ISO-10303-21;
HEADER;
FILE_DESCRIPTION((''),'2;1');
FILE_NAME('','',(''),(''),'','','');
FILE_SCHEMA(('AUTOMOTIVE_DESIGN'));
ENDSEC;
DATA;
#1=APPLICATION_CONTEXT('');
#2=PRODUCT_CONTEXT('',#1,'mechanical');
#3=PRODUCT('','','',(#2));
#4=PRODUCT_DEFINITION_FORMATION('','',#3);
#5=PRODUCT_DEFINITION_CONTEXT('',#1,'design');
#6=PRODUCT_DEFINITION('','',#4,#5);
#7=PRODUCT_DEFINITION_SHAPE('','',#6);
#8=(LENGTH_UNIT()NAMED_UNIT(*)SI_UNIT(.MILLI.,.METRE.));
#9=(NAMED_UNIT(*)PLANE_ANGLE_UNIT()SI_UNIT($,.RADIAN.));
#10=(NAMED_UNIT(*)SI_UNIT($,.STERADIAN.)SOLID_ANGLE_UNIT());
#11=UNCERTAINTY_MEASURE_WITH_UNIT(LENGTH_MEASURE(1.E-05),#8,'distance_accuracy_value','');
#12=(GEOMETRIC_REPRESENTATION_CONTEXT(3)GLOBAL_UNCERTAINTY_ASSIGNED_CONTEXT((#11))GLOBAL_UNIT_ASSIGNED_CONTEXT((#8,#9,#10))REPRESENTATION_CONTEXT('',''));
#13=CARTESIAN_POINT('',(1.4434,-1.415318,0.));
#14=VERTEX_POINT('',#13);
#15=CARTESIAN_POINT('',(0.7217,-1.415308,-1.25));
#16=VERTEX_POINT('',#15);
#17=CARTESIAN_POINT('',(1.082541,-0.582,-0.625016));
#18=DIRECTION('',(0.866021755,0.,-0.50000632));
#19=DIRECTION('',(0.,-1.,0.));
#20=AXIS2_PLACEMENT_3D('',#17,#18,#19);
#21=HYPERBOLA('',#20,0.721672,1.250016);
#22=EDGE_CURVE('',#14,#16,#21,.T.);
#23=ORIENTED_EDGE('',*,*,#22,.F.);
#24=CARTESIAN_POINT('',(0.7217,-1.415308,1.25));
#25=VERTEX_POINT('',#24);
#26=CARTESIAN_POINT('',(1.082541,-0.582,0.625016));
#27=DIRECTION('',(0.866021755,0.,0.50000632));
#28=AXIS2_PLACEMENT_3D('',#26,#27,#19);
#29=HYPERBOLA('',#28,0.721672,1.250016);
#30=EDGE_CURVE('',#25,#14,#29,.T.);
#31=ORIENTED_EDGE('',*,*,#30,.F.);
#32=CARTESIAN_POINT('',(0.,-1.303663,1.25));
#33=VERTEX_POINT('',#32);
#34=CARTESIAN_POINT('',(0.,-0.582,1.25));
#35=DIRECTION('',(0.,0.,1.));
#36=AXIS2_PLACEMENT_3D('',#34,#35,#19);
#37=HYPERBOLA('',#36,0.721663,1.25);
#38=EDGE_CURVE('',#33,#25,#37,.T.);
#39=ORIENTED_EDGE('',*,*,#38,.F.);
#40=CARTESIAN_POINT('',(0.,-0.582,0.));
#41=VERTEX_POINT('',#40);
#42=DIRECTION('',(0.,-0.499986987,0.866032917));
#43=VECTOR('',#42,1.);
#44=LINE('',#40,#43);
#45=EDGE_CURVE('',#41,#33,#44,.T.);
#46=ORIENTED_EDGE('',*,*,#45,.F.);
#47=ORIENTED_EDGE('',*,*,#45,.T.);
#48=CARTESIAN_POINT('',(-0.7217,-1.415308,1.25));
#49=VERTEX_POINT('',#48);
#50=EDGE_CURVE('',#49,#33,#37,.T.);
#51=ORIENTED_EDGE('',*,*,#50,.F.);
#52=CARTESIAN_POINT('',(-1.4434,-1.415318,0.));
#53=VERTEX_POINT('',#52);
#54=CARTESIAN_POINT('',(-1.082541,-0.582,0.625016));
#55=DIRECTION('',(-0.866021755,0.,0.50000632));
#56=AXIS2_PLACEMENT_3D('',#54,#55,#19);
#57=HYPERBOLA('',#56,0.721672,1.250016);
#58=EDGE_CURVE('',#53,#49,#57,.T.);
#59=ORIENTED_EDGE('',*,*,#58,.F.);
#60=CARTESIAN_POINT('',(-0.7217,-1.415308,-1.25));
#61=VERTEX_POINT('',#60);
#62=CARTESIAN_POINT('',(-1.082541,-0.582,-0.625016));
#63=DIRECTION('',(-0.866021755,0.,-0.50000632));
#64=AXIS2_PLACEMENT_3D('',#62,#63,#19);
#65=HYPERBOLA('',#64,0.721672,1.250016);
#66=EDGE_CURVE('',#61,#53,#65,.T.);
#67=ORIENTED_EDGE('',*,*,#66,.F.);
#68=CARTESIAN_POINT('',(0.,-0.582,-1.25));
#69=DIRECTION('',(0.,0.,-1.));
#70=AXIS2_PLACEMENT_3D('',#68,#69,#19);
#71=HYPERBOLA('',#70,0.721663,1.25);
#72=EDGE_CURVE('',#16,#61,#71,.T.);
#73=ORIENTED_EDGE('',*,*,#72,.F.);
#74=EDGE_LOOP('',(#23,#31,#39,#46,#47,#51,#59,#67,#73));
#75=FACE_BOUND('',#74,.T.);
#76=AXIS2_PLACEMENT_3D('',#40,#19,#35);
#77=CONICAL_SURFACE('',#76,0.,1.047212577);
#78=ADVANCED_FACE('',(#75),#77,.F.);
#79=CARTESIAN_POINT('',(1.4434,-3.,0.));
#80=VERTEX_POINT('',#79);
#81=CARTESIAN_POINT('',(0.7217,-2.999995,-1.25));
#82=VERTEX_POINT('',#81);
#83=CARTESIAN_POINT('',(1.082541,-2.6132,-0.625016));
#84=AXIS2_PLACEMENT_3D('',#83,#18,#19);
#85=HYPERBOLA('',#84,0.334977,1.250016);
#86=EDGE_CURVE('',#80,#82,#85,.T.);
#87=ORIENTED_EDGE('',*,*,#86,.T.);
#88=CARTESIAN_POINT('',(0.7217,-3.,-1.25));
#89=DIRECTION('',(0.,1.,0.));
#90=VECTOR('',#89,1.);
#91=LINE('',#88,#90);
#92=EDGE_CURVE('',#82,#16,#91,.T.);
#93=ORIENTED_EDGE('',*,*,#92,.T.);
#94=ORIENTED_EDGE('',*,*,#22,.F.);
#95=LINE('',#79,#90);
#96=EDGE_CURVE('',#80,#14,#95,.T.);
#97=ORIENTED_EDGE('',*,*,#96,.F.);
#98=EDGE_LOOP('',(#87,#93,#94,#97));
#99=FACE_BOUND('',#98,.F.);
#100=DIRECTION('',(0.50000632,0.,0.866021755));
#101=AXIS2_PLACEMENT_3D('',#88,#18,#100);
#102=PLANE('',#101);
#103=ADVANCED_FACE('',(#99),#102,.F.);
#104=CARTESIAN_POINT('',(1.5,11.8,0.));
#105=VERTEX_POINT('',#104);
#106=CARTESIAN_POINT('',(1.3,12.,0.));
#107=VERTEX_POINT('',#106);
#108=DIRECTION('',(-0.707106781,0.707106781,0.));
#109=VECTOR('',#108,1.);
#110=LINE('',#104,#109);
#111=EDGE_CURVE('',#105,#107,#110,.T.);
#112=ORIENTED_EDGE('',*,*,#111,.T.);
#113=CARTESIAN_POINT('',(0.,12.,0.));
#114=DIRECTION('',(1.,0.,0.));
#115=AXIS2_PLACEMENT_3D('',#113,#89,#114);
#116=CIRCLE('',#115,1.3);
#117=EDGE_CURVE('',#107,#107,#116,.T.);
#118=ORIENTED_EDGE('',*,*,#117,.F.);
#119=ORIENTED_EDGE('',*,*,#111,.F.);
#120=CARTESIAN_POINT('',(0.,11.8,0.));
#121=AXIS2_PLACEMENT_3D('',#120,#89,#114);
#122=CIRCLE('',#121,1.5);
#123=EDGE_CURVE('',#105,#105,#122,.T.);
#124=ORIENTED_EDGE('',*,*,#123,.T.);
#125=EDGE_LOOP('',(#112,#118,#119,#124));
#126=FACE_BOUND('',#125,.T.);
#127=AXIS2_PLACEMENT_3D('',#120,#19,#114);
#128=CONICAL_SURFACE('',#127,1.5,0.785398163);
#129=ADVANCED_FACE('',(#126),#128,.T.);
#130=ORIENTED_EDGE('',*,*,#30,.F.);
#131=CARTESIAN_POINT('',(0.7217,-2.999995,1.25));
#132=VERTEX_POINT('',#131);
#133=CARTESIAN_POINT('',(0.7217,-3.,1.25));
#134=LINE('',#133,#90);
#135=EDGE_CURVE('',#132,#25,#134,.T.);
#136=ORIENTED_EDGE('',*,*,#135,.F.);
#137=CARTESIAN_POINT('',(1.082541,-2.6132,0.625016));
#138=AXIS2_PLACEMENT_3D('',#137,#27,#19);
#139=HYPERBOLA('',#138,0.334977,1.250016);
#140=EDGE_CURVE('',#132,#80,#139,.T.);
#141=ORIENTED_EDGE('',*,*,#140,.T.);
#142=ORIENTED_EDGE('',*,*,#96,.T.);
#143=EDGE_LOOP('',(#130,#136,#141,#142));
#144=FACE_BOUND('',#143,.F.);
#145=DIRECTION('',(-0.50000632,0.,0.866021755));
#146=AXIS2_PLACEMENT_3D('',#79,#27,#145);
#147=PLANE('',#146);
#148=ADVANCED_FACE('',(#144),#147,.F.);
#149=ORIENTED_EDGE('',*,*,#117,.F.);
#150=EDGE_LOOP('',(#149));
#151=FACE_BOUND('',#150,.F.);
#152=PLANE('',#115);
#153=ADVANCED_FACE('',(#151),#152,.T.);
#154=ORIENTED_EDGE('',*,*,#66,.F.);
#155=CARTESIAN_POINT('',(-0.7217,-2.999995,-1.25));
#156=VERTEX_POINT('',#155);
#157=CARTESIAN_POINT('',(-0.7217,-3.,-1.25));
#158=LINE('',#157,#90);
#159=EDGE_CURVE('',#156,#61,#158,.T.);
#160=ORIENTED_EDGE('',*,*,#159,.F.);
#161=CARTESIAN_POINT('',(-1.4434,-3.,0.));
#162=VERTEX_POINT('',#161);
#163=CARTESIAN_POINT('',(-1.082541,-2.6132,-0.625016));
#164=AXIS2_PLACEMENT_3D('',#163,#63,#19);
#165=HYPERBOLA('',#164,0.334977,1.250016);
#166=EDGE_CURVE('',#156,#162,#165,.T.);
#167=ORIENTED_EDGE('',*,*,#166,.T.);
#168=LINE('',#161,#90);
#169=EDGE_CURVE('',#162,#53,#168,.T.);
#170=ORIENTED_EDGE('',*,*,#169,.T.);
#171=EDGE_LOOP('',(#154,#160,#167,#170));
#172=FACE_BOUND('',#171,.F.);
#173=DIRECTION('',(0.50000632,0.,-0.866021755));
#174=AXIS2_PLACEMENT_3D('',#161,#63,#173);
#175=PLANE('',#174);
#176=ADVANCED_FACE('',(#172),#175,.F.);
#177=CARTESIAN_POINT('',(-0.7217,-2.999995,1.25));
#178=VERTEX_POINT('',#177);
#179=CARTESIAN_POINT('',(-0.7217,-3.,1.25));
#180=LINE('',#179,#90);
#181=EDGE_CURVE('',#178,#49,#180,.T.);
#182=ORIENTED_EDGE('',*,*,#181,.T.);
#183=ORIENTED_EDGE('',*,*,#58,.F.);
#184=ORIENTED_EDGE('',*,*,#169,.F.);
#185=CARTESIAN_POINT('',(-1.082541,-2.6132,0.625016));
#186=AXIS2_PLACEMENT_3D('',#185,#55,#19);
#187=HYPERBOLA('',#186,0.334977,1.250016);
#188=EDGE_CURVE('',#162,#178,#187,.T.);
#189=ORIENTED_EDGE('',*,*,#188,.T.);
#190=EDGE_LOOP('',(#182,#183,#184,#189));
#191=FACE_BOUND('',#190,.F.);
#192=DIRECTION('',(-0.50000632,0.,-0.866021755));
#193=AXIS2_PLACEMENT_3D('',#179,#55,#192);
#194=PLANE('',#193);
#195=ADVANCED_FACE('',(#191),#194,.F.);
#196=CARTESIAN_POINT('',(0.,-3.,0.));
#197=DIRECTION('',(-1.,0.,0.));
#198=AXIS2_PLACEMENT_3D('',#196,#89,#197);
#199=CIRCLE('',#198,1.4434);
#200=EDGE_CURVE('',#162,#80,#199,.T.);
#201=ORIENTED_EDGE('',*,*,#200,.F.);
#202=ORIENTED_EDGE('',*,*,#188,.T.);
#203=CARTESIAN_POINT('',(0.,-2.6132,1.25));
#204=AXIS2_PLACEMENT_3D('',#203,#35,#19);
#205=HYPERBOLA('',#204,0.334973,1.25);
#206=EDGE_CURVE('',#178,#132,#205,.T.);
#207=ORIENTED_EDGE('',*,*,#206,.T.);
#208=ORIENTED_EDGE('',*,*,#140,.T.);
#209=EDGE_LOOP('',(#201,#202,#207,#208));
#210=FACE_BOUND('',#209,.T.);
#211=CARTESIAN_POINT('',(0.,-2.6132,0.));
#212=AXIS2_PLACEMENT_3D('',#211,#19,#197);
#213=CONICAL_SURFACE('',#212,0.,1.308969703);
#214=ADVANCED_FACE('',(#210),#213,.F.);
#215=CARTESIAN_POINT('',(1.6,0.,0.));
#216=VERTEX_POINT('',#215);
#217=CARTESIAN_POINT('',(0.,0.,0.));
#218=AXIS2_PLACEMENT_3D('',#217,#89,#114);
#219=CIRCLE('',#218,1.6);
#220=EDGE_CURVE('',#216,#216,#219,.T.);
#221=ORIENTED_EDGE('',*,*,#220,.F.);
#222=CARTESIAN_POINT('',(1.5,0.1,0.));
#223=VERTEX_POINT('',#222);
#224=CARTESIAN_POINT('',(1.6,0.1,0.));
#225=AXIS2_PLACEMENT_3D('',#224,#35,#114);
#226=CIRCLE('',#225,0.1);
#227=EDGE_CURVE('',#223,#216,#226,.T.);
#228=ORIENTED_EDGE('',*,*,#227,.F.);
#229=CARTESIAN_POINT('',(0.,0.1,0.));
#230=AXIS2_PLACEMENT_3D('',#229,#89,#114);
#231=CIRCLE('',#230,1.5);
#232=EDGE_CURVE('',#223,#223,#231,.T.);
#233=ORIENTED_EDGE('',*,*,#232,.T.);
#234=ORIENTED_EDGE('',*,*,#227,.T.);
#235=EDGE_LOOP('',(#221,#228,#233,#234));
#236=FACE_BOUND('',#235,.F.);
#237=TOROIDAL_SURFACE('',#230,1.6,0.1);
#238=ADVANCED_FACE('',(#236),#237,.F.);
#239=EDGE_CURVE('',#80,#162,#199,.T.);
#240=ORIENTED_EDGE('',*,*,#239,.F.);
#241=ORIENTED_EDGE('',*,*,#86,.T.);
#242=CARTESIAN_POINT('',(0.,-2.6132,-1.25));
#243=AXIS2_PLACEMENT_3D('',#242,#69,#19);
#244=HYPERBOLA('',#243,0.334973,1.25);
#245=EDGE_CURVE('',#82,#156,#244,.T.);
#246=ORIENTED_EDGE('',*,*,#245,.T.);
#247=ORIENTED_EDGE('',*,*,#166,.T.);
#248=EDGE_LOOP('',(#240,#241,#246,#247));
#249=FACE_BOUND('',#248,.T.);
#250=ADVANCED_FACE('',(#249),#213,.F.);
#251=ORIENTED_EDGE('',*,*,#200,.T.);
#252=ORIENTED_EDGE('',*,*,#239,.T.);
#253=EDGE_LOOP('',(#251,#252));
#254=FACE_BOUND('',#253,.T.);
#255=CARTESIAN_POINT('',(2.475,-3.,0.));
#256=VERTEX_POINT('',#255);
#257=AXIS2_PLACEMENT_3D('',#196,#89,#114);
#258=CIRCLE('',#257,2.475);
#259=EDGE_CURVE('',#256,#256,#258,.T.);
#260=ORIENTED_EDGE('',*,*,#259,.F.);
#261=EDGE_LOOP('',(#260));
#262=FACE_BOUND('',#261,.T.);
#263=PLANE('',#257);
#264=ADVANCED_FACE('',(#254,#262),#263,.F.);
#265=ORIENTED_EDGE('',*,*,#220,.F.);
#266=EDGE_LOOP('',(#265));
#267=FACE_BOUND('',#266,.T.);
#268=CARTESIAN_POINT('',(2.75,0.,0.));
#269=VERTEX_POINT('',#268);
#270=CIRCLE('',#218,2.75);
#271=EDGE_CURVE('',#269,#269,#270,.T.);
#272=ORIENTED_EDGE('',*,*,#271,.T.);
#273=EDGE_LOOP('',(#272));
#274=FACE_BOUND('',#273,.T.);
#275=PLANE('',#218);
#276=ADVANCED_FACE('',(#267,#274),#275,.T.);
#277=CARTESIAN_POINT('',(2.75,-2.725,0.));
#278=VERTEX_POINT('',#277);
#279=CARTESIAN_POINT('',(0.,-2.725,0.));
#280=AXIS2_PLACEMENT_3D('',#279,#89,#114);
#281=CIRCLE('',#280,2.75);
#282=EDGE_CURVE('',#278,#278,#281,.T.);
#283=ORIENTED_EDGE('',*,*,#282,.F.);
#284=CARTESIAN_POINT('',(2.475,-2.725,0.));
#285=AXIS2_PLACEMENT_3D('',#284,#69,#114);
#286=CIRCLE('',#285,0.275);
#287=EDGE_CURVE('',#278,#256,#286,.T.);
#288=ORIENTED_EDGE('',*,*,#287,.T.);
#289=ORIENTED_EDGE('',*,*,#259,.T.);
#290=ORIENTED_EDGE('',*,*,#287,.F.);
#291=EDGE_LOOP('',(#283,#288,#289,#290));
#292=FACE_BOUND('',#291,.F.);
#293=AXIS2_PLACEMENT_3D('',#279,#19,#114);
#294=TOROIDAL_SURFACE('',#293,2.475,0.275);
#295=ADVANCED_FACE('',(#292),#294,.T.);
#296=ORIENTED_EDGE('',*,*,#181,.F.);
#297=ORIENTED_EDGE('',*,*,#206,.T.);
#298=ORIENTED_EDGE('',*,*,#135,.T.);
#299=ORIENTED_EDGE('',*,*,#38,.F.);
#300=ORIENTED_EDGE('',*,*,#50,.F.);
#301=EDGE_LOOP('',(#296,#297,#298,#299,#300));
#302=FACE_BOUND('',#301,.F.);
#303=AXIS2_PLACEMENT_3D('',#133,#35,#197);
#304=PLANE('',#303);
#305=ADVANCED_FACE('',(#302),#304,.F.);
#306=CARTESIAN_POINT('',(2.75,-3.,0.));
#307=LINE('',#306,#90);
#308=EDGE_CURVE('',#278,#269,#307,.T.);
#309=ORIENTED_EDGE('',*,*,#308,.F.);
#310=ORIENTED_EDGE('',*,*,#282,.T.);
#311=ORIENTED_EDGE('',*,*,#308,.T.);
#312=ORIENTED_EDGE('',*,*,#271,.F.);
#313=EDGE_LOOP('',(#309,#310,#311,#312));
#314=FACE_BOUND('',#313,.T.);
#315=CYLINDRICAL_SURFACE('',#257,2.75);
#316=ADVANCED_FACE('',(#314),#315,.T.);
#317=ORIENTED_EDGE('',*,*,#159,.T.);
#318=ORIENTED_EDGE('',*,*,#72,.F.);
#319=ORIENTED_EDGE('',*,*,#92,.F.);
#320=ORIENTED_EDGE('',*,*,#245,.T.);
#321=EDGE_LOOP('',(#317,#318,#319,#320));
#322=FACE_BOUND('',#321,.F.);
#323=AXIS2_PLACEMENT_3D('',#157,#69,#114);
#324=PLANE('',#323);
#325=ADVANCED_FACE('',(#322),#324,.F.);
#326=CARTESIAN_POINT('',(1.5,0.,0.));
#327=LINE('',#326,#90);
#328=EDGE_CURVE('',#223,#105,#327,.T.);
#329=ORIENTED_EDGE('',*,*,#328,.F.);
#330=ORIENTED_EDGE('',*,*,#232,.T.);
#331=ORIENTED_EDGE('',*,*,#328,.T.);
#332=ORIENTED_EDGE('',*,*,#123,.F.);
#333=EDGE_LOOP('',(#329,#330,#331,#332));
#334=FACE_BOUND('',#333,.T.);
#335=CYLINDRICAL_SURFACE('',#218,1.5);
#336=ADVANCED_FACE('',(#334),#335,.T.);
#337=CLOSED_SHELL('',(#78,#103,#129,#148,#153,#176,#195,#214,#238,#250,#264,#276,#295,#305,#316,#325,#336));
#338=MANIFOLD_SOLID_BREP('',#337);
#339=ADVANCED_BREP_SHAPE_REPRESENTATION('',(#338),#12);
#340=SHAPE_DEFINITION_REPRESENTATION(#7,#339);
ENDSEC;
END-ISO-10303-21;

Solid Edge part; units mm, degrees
sketch "Sketch1" plane through (0, 0, 0) normal (0, 0, 1) x (1, 0, 0)
  line L0 (1.5, 0) -> (1.5, 12)
  line L1 (0, 12) -> (1.5, 12)
  line L2 (0, 0) -> (0, 12)
  line L3 (0, 0) -> (0, -3)
  line L4 (0, -3) -> (2.75, -3)
  line L5 (2.75, -3) -> (2.75, 0)
  line L6 (2.75, 0) -> (1.5, 0)
revolve "RevolvedProtrusion1" add sketch "Sketch1" angle 360 about axis through (0, 0, 0) along (0, 1, 0)
sketch "Sketch2" plane through (0, 0, 0) normal (1, 0, 0) x (0, 1, 0)
  line L0 (-3, 1.9365) -> (-1.7, 1.9365)
  line L1 (-0.582, 0) -> (-1.7, 1.9365)
  line L2 (-3, 0) -> (-0.582, 0)
  line L3 (-3, 0) -> (-3, 1.9365)
revolve "RevolvedCutout1" cut sketch "Sketch2" angle 360 about axis through (0, -4.5, 0) along (0, 1, 0)
sketch "Sketch3" plane through (0, -3, 0) normal (0, -1, 0) x (0, 0, 1)
  circle A0 centre (0, 0) radius 1.9365
  line L0 (-1.25, -0.7217) -> (0, -1.4434)
  line L1 (0, -1.4434) -> (1.25, -0.7217)
  line L2 (1.25, -0.7217) -> (1.25, 0.7217)
  line L3 (1.25, 0.7217) -> (0, 1.4434)
  line L4 (0, 1.4434) -> (-1.25, 0.7217)
  line L5 (-1.25, 0.7217) -> (-1.25, -0.7217)
  dimension "D1" = 2.5
extrude "Protrusion1" add sketch "Sketch3" against normal up to next
sketch "Sketch4" plane through (0, 0, 0) normal (0, 0, 1) x (1, 0, 0)
  line L0 (-1.4434, -3) -> (0, -3)
  line L1 (0, -3) -> (0, -2.6132)
  line L2 (0, -2.6132) -> (-1.4434, -3)
revolve "RevolvedCutout2" cut sketch "Sketch4" angle 360 about axis through (0, -4.5, 0) along (0, 1, 0)
fillet "Round1" radius 0.1 1 edges at (0, 0, -1.5)
fillet "Round2" radius 0.275 1 edges at (0, -3, -2.75)
chamfer "倒斜角_2" distance 0.2 angle 45 1 edges at (0, 12, -1.5)
cosmetic_thread "螺纹_3" size "M3" thread depth 9.6
